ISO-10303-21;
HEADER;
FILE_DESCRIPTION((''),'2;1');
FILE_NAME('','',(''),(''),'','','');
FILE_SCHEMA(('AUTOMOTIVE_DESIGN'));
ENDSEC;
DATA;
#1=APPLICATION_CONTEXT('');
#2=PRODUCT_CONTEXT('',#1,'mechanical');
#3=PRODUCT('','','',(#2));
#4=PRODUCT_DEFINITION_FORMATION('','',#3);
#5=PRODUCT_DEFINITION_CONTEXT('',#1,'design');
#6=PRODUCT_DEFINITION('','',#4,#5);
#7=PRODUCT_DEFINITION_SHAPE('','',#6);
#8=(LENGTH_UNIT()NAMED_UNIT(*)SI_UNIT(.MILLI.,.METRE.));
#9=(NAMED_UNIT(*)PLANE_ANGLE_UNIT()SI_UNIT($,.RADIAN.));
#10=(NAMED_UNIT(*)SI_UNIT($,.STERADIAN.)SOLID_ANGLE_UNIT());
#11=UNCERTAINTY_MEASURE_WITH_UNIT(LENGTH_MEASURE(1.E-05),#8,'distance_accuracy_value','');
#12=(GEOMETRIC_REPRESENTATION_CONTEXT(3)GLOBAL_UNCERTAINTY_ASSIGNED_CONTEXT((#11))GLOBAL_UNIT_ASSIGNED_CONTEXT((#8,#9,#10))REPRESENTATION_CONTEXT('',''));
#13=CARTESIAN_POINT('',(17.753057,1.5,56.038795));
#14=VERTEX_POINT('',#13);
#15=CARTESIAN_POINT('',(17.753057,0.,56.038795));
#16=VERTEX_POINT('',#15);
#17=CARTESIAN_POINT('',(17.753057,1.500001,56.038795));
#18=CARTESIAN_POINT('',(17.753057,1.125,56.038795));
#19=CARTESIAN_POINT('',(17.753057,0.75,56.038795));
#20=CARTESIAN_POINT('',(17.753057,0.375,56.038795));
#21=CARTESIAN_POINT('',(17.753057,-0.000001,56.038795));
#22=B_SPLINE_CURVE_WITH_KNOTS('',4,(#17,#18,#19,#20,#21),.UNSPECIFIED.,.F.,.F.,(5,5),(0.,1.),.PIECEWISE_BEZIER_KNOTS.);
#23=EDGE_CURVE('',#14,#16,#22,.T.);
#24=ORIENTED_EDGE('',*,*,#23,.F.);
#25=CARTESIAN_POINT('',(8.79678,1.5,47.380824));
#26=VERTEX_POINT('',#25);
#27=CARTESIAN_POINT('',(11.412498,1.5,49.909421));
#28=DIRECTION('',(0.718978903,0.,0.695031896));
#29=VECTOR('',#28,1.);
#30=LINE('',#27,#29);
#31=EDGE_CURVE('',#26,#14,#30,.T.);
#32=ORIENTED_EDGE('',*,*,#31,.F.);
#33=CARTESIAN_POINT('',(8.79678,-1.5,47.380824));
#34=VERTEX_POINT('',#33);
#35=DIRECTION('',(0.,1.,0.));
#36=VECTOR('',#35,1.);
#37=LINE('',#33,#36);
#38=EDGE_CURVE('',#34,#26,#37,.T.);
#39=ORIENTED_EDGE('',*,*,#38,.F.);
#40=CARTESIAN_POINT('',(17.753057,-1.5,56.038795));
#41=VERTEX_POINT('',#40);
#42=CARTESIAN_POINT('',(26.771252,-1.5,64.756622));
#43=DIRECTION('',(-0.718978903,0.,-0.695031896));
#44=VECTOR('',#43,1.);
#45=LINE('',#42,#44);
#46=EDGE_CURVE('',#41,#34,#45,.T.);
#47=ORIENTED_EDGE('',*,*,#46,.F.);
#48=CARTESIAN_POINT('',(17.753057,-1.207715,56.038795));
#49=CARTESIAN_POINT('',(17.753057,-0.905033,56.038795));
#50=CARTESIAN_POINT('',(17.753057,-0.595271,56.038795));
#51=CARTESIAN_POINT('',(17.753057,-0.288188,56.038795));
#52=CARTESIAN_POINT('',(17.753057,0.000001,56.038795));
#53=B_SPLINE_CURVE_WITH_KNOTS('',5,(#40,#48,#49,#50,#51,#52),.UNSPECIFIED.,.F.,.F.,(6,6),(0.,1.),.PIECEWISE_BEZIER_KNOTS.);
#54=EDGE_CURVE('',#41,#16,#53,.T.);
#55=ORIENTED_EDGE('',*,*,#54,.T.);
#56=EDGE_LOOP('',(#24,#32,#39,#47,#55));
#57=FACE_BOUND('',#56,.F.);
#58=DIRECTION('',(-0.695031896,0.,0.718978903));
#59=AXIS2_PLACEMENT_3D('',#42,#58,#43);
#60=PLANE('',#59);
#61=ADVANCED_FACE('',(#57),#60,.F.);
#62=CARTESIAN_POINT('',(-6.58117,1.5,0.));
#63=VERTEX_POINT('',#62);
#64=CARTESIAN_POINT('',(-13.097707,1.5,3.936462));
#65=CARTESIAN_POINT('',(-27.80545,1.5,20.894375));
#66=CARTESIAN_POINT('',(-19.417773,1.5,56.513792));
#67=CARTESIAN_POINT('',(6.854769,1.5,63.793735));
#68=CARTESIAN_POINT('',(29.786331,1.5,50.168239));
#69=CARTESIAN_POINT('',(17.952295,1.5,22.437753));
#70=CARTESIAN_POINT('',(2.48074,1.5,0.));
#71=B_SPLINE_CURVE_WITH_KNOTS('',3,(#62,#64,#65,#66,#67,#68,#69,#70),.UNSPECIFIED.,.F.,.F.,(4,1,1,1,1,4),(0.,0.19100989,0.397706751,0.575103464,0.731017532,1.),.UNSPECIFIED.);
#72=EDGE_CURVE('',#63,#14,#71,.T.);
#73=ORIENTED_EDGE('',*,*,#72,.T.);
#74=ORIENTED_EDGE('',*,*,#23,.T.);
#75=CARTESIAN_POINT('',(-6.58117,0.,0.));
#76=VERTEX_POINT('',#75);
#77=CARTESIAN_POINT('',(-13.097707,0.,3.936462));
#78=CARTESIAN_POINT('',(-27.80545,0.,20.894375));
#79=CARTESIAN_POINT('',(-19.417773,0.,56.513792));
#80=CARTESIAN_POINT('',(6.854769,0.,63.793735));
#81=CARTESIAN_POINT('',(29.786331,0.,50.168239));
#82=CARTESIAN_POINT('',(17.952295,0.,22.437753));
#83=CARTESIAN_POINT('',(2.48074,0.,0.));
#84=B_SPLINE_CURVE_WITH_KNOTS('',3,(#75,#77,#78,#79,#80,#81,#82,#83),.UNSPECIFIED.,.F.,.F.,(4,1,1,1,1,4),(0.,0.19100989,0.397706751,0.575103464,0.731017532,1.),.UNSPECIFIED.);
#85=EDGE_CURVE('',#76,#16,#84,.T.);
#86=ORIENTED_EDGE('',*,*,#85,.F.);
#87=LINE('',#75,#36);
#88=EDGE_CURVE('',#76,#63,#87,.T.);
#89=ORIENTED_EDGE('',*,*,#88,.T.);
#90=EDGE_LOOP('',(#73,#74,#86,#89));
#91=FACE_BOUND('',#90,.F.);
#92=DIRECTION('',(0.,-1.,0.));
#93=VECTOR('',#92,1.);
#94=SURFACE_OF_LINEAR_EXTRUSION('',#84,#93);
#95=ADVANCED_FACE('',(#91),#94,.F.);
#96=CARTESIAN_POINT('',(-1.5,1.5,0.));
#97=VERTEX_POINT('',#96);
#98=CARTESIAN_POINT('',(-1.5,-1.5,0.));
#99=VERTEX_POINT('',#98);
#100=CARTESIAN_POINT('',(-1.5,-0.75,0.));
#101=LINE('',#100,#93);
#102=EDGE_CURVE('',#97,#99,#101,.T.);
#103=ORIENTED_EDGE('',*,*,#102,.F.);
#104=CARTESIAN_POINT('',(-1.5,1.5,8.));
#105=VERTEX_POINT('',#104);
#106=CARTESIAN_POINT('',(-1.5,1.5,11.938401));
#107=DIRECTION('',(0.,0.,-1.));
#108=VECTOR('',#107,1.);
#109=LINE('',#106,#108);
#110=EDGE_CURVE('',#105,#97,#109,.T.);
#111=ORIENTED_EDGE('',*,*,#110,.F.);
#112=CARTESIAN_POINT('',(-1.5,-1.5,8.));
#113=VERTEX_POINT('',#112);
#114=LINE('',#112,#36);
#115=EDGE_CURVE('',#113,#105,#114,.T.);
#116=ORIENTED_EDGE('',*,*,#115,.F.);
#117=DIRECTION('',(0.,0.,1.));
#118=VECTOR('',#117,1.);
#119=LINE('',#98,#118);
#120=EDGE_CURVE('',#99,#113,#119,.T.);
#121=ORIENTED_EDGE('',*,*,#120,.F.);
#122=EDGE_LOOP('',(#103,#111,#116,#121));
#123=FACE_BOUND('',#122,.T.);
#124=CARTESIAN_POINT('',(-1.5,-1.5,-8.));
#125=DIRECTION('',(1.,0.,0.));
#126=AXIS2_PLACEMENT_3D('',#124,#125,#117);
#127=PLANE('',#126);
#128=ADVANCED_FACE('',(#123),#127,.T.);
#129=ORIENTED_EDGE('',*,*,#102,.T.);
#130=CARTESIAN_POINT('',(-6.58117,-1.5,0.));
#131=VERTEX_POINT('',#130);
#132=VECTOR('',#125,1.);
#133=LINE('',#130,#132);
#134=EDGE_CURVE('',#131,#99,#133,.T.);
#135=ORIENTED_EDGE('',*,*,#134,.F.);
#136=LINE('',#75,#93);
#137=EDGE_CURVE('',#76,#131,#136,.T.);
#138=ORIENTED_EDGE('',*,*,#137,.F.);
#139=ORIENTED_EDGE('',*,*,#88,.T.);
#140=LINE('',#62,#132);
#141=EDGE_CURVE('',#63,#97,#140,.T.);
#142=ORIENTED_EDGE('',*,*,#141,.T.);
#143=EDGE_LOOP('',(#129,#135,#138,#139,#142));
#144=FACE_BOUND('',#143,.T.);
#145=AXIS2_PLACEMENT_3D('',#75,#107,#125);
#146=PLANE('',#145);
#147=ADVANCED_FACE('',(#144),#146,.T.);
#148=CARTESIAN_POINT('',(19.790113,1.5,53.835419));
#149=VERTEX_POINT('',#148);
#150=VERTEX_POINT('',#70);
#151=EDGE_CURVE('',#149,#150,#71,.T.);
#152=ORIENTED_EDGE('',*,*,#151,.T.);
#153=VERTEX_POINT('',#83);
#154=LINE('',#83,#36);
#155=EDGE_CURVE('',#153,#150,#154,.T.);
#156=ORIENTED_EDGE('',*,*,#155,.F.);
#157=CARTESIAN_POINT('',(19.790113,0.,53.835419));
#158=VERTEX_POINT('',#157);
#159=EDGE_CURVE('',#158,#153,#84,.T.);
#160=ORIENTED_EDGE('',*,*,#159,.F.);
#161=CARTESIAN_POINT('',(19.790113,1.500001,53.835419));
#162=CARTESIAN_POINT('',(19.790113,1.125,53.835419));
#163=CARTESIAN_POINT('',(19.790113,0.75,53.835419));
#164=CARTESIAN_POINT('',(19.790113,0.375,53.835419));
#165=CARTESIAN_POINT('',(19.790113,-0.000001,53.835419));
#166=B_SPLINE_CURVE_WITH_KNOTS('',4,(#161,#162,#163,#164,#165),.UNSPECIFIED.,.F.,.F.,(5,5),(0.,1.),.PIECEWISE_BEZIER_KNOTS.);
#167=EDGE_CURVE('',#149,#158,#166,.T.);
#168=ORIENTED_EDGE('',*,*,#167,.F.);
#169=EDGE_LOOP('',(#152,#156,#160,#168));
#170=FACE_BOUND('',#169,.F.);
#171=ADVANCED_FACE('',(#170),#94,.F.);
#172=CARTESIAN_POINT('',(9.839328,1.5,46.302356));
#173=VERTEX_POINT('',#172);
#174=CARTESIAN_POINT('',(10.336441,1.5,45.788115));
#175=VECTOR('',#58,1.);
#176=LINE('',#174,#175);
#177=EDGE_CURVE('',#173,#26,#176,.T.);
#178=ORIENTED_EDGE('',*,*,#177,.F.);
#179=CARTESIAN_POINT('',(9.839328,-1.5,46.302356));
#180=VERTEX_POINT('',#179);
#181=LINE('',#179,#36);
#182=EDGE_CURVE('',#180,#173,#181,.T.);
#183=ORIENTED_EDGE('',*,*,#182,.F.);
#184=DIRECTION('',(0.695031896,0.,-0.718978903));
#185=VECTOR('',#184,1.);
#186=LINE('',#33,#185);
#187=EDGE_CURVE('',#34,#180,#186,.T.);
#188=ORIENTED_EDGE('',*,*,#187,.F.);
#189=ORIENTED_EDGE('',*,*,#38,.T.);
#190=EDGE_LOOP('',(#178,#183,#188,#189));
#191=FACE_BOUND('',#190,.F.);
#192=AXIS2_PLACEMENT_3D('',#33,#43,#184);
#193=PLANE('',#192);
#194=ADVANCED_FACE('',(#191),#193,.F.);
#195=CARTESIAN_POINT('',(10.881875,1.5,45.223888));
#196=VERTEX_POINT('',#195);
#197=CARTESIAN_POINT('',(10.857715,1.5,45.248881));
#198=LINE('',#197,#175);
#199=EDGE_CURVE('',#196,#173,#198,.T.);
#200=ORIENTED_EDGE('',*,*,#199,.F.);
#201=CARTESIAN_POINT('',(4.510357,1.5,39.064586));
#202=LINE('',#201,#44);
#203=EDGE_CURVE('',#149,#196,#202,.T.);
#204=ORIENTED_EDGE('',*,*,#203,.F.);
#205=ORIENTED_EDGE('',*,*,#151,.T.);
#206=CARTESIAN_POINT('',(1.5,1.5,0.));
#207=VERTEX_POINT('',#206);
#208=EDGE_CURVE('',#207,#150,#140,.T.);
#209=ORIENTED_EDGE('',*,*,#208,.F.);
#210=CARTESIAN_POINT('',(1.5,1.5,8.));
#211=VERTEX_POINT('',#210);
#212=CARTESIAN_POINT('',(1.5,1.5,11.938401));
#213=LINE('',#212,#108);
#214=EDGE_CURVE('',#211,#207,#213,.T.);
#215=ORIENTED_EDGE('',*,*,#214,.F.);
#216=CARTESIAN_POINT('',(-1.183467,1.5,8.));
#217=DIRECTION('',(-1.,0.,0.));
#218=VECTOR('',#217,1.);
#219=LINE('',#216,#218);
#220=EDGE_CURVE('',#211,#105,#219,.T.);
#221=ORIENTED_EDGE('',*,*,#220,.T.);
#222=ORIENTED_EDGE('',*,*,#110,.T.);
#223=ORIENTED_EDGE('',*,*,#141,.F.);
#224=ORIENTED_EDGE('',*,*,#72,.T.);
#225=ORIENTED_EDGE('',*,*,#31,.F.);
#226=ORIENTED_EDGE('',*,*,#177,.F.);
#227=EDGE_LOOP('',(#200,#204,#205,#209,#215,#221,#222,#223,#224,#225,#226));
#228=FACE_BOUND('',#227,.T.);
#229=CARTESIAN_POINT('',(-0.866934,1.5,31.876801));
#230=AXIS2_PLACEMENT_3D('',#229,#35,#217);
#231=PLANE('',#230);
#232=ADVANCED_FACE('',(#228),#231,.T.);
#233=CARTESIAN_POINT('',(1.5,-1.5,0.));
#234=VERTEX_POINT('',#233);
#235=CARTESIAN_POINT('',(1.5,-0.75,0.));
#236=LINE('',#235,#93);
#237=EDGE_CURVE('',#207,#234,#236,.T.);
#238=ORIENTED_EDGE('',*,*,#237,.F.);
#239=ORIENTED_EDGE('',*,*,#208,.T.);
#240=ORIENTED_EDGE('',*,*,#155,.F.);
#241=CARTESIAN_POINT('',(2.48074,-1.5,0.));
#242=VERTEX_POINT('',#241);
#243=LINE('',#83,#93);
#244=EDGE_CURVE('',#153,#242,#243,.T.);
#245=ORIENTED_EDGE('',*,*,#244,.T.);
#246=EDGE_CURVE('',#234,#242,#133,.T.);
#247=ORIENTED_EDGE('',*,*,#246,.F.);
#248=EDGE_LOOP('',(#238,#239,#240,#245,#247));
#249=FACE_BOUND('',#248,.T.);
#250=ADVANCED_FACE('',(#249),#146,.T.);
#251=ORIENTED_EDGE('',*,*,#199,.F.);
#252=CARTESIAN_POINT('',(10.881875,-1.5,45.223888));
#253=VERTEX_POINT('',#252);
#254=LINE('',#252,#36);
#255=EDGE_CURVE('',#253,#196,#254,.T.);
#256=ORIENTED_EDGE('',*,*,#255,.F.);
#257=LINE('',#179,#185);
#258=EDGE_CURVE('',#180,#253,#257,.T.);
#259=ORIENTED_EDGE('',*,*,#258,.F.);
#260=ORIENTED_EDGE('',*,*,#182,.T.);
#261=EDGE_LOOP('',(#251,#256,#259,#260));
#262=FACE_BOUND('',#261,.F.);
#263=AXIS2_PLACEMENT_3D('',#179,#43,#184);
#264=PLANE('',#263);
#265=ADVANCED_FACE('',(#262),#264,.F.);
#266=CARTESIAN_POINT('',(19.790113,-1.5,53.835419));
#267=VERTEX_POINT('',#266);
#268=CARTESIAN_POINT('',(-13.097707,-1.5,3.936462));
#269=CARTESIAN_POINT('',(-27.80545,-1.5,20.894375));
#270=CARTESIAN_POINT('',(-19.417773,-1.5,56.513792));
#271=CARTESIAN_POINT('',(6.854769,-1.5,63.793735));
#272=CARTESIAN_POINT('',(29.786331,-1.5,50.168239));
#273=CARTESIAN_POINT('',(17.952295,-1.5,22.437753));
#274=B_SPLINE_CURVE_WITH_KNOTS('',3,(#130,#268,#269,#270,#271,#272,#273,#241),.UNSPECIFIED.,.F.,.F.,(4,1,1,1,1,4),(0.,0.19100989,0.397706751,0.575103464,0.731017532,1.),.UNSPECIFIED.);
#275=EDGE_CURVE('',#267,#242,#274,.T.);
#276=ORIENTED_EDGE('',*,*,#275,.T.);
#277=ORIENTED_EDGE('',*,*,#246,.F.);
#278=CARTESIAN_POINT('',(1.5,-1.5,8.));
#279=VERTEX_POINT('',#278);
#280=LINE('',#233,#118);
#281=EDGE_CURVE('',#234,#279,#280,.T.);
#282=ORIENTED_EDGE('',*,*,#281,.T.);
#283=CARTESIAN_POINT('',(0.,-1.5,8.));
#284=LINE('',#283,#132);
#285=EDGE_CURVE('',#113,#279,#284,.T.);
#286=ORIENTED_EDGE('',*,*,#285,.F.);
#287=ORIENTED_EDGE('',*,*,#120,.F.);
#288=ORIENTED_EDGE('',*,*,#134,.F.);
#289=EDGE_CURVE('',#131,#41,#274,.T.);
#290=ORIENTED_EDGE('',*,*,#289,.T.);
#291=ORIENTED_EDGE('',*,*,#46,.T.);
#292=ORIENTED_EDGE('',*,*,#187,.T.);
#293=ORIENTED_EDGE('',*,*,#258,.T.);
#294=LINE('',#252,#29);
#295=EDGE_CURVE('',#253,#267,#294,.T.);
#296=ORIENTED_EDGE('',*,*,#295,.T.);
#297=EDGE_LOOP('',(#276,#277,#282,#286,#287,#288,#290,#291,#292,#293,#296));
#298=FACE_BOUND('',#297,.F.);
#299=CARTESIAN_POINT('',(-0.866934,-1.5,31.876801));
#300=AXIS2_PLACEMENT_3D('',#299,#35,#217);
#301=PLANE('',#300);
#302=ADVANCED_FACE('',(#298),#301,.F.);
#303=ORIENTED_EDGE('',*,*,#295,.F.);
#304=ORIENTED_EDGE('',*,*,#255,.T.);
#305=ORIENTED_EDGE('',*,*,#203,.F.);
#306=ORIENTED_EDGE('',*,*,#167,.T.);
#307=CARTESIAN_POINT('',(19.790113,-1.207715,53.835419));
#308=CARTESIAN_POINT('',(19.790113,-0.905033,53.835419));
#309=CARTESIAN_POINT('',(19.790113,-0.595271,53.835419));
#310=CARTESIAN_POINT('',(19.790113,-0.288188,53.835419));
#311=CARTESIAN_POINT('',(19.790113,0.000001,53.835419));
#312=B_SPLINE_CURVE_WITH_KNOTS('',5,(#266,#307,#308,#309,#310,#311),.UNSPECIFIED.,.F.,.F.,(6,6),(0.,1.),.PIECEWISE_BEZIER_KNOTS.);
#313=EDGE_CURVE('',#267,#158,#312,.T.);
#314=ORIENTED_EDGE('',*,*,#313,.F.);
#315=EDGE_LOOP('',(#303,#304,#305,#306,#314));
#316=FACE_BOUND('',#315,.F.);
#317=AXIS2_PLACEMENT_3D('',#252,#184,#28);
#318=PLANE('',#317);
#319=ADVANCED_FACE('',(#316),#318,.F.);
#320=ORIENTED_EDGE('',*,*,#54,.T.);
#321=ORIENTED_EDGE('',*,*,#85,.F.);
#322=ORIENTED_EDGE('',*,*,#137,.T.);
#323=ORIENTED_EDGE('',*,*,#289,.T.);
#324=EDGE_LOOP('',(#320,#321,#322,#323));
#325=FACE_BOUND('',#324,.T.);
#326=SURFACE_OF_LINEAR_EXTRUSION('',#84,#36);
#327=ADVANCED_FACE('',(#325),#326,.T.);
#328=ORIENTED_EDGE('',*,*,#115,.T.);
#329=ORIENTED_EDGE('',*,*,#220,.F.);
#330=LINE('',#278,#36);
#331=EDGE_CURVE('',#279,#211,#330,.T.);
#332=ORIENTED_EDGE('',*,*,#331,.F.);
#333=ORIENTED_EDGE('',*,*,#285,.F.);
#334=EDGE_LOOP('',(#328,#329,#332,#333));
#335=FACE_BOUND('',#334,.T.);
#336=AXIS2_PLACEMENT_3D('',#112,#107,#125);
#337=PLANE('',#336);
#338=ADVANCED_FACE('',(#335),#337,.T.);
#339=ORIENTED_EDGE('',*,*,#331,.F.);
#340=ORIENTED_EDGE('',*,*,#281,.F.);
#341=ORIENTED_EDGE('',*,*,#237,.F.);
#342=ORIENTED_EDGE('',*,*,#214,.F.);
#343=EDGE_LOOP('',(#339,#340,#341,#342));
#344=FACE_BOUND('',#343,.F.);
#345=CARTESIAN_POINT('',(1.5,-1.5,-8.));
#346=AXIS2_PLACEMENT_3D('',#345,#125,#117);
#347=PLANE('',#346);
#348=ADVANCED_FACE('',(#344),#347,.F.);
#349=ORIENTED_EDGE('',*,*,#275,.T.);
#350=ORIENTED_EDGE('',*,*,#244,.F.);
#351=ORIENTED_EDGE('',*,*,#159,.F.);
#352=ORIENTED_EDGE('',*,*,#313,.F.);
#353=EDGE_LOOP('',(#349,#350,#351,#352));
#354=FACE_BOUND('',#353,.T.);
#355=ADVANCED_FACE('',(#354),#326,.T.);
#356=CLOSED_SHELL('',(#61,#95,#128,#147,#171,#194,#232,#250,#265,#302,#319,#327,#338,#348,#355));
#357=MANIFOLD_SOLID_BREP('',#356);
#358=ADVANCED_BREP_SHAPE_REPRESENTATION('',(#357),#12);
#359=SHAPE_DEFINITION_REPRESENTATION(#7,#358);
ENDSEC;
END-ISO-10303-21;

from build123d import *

# Parameters (mm, degrees)
F2_DEPTH = 1.5
F3_W     = 3
F3_H     = 16
F4_DEPTH = 25


with BuildPart() as f2:
    # F1 (on Front) → F2 (new body, symmetric)
    with BuildSketch(Plane.XZ):
        with BuildLine():
            add(Edge.make_bspline(
                [(-6.5811700188, 0), (-13.0977069694, 3.9364622169), (-27.8054503735, 20.8943752102), (-19.4177727212, 56.5137920169), (6.8547689493, 63.7937351975), (29.7863310593, 50.168239492), (17.9522950202, 22.4377531558), (2.4807401933, 0)],
                knots=[0, 0, 0, 0, 0.1910098898, 0.3977067511, 0.5751034644, 0.7310175316, 1, 1, 1, 1], degree=3))
            Line((-6.5811700188, 0), (2.4807401933, 0))
        make_face()
    extrude(amount=F2_DEPTH, both=True)

    # F3 (on face) → F4 (cut)
    with BuildSketch(Plane.XZ.offset(1.5)):
        Polygon((9.8393275162, 46.3023560938), (10.8818753603, 45.2238877389), (28.8563479428, 62.5996851417), (27.8138000986, 63.6781534966), (26.7712522544, 64.7566218516), (8.796779672, 47.3808244488), align=None)
        Rectangle(F3_W, F3_H)
    extrude(amount=-F4_DEPTH, mode=Mode.SUBTRACT)


solid = f2.part
